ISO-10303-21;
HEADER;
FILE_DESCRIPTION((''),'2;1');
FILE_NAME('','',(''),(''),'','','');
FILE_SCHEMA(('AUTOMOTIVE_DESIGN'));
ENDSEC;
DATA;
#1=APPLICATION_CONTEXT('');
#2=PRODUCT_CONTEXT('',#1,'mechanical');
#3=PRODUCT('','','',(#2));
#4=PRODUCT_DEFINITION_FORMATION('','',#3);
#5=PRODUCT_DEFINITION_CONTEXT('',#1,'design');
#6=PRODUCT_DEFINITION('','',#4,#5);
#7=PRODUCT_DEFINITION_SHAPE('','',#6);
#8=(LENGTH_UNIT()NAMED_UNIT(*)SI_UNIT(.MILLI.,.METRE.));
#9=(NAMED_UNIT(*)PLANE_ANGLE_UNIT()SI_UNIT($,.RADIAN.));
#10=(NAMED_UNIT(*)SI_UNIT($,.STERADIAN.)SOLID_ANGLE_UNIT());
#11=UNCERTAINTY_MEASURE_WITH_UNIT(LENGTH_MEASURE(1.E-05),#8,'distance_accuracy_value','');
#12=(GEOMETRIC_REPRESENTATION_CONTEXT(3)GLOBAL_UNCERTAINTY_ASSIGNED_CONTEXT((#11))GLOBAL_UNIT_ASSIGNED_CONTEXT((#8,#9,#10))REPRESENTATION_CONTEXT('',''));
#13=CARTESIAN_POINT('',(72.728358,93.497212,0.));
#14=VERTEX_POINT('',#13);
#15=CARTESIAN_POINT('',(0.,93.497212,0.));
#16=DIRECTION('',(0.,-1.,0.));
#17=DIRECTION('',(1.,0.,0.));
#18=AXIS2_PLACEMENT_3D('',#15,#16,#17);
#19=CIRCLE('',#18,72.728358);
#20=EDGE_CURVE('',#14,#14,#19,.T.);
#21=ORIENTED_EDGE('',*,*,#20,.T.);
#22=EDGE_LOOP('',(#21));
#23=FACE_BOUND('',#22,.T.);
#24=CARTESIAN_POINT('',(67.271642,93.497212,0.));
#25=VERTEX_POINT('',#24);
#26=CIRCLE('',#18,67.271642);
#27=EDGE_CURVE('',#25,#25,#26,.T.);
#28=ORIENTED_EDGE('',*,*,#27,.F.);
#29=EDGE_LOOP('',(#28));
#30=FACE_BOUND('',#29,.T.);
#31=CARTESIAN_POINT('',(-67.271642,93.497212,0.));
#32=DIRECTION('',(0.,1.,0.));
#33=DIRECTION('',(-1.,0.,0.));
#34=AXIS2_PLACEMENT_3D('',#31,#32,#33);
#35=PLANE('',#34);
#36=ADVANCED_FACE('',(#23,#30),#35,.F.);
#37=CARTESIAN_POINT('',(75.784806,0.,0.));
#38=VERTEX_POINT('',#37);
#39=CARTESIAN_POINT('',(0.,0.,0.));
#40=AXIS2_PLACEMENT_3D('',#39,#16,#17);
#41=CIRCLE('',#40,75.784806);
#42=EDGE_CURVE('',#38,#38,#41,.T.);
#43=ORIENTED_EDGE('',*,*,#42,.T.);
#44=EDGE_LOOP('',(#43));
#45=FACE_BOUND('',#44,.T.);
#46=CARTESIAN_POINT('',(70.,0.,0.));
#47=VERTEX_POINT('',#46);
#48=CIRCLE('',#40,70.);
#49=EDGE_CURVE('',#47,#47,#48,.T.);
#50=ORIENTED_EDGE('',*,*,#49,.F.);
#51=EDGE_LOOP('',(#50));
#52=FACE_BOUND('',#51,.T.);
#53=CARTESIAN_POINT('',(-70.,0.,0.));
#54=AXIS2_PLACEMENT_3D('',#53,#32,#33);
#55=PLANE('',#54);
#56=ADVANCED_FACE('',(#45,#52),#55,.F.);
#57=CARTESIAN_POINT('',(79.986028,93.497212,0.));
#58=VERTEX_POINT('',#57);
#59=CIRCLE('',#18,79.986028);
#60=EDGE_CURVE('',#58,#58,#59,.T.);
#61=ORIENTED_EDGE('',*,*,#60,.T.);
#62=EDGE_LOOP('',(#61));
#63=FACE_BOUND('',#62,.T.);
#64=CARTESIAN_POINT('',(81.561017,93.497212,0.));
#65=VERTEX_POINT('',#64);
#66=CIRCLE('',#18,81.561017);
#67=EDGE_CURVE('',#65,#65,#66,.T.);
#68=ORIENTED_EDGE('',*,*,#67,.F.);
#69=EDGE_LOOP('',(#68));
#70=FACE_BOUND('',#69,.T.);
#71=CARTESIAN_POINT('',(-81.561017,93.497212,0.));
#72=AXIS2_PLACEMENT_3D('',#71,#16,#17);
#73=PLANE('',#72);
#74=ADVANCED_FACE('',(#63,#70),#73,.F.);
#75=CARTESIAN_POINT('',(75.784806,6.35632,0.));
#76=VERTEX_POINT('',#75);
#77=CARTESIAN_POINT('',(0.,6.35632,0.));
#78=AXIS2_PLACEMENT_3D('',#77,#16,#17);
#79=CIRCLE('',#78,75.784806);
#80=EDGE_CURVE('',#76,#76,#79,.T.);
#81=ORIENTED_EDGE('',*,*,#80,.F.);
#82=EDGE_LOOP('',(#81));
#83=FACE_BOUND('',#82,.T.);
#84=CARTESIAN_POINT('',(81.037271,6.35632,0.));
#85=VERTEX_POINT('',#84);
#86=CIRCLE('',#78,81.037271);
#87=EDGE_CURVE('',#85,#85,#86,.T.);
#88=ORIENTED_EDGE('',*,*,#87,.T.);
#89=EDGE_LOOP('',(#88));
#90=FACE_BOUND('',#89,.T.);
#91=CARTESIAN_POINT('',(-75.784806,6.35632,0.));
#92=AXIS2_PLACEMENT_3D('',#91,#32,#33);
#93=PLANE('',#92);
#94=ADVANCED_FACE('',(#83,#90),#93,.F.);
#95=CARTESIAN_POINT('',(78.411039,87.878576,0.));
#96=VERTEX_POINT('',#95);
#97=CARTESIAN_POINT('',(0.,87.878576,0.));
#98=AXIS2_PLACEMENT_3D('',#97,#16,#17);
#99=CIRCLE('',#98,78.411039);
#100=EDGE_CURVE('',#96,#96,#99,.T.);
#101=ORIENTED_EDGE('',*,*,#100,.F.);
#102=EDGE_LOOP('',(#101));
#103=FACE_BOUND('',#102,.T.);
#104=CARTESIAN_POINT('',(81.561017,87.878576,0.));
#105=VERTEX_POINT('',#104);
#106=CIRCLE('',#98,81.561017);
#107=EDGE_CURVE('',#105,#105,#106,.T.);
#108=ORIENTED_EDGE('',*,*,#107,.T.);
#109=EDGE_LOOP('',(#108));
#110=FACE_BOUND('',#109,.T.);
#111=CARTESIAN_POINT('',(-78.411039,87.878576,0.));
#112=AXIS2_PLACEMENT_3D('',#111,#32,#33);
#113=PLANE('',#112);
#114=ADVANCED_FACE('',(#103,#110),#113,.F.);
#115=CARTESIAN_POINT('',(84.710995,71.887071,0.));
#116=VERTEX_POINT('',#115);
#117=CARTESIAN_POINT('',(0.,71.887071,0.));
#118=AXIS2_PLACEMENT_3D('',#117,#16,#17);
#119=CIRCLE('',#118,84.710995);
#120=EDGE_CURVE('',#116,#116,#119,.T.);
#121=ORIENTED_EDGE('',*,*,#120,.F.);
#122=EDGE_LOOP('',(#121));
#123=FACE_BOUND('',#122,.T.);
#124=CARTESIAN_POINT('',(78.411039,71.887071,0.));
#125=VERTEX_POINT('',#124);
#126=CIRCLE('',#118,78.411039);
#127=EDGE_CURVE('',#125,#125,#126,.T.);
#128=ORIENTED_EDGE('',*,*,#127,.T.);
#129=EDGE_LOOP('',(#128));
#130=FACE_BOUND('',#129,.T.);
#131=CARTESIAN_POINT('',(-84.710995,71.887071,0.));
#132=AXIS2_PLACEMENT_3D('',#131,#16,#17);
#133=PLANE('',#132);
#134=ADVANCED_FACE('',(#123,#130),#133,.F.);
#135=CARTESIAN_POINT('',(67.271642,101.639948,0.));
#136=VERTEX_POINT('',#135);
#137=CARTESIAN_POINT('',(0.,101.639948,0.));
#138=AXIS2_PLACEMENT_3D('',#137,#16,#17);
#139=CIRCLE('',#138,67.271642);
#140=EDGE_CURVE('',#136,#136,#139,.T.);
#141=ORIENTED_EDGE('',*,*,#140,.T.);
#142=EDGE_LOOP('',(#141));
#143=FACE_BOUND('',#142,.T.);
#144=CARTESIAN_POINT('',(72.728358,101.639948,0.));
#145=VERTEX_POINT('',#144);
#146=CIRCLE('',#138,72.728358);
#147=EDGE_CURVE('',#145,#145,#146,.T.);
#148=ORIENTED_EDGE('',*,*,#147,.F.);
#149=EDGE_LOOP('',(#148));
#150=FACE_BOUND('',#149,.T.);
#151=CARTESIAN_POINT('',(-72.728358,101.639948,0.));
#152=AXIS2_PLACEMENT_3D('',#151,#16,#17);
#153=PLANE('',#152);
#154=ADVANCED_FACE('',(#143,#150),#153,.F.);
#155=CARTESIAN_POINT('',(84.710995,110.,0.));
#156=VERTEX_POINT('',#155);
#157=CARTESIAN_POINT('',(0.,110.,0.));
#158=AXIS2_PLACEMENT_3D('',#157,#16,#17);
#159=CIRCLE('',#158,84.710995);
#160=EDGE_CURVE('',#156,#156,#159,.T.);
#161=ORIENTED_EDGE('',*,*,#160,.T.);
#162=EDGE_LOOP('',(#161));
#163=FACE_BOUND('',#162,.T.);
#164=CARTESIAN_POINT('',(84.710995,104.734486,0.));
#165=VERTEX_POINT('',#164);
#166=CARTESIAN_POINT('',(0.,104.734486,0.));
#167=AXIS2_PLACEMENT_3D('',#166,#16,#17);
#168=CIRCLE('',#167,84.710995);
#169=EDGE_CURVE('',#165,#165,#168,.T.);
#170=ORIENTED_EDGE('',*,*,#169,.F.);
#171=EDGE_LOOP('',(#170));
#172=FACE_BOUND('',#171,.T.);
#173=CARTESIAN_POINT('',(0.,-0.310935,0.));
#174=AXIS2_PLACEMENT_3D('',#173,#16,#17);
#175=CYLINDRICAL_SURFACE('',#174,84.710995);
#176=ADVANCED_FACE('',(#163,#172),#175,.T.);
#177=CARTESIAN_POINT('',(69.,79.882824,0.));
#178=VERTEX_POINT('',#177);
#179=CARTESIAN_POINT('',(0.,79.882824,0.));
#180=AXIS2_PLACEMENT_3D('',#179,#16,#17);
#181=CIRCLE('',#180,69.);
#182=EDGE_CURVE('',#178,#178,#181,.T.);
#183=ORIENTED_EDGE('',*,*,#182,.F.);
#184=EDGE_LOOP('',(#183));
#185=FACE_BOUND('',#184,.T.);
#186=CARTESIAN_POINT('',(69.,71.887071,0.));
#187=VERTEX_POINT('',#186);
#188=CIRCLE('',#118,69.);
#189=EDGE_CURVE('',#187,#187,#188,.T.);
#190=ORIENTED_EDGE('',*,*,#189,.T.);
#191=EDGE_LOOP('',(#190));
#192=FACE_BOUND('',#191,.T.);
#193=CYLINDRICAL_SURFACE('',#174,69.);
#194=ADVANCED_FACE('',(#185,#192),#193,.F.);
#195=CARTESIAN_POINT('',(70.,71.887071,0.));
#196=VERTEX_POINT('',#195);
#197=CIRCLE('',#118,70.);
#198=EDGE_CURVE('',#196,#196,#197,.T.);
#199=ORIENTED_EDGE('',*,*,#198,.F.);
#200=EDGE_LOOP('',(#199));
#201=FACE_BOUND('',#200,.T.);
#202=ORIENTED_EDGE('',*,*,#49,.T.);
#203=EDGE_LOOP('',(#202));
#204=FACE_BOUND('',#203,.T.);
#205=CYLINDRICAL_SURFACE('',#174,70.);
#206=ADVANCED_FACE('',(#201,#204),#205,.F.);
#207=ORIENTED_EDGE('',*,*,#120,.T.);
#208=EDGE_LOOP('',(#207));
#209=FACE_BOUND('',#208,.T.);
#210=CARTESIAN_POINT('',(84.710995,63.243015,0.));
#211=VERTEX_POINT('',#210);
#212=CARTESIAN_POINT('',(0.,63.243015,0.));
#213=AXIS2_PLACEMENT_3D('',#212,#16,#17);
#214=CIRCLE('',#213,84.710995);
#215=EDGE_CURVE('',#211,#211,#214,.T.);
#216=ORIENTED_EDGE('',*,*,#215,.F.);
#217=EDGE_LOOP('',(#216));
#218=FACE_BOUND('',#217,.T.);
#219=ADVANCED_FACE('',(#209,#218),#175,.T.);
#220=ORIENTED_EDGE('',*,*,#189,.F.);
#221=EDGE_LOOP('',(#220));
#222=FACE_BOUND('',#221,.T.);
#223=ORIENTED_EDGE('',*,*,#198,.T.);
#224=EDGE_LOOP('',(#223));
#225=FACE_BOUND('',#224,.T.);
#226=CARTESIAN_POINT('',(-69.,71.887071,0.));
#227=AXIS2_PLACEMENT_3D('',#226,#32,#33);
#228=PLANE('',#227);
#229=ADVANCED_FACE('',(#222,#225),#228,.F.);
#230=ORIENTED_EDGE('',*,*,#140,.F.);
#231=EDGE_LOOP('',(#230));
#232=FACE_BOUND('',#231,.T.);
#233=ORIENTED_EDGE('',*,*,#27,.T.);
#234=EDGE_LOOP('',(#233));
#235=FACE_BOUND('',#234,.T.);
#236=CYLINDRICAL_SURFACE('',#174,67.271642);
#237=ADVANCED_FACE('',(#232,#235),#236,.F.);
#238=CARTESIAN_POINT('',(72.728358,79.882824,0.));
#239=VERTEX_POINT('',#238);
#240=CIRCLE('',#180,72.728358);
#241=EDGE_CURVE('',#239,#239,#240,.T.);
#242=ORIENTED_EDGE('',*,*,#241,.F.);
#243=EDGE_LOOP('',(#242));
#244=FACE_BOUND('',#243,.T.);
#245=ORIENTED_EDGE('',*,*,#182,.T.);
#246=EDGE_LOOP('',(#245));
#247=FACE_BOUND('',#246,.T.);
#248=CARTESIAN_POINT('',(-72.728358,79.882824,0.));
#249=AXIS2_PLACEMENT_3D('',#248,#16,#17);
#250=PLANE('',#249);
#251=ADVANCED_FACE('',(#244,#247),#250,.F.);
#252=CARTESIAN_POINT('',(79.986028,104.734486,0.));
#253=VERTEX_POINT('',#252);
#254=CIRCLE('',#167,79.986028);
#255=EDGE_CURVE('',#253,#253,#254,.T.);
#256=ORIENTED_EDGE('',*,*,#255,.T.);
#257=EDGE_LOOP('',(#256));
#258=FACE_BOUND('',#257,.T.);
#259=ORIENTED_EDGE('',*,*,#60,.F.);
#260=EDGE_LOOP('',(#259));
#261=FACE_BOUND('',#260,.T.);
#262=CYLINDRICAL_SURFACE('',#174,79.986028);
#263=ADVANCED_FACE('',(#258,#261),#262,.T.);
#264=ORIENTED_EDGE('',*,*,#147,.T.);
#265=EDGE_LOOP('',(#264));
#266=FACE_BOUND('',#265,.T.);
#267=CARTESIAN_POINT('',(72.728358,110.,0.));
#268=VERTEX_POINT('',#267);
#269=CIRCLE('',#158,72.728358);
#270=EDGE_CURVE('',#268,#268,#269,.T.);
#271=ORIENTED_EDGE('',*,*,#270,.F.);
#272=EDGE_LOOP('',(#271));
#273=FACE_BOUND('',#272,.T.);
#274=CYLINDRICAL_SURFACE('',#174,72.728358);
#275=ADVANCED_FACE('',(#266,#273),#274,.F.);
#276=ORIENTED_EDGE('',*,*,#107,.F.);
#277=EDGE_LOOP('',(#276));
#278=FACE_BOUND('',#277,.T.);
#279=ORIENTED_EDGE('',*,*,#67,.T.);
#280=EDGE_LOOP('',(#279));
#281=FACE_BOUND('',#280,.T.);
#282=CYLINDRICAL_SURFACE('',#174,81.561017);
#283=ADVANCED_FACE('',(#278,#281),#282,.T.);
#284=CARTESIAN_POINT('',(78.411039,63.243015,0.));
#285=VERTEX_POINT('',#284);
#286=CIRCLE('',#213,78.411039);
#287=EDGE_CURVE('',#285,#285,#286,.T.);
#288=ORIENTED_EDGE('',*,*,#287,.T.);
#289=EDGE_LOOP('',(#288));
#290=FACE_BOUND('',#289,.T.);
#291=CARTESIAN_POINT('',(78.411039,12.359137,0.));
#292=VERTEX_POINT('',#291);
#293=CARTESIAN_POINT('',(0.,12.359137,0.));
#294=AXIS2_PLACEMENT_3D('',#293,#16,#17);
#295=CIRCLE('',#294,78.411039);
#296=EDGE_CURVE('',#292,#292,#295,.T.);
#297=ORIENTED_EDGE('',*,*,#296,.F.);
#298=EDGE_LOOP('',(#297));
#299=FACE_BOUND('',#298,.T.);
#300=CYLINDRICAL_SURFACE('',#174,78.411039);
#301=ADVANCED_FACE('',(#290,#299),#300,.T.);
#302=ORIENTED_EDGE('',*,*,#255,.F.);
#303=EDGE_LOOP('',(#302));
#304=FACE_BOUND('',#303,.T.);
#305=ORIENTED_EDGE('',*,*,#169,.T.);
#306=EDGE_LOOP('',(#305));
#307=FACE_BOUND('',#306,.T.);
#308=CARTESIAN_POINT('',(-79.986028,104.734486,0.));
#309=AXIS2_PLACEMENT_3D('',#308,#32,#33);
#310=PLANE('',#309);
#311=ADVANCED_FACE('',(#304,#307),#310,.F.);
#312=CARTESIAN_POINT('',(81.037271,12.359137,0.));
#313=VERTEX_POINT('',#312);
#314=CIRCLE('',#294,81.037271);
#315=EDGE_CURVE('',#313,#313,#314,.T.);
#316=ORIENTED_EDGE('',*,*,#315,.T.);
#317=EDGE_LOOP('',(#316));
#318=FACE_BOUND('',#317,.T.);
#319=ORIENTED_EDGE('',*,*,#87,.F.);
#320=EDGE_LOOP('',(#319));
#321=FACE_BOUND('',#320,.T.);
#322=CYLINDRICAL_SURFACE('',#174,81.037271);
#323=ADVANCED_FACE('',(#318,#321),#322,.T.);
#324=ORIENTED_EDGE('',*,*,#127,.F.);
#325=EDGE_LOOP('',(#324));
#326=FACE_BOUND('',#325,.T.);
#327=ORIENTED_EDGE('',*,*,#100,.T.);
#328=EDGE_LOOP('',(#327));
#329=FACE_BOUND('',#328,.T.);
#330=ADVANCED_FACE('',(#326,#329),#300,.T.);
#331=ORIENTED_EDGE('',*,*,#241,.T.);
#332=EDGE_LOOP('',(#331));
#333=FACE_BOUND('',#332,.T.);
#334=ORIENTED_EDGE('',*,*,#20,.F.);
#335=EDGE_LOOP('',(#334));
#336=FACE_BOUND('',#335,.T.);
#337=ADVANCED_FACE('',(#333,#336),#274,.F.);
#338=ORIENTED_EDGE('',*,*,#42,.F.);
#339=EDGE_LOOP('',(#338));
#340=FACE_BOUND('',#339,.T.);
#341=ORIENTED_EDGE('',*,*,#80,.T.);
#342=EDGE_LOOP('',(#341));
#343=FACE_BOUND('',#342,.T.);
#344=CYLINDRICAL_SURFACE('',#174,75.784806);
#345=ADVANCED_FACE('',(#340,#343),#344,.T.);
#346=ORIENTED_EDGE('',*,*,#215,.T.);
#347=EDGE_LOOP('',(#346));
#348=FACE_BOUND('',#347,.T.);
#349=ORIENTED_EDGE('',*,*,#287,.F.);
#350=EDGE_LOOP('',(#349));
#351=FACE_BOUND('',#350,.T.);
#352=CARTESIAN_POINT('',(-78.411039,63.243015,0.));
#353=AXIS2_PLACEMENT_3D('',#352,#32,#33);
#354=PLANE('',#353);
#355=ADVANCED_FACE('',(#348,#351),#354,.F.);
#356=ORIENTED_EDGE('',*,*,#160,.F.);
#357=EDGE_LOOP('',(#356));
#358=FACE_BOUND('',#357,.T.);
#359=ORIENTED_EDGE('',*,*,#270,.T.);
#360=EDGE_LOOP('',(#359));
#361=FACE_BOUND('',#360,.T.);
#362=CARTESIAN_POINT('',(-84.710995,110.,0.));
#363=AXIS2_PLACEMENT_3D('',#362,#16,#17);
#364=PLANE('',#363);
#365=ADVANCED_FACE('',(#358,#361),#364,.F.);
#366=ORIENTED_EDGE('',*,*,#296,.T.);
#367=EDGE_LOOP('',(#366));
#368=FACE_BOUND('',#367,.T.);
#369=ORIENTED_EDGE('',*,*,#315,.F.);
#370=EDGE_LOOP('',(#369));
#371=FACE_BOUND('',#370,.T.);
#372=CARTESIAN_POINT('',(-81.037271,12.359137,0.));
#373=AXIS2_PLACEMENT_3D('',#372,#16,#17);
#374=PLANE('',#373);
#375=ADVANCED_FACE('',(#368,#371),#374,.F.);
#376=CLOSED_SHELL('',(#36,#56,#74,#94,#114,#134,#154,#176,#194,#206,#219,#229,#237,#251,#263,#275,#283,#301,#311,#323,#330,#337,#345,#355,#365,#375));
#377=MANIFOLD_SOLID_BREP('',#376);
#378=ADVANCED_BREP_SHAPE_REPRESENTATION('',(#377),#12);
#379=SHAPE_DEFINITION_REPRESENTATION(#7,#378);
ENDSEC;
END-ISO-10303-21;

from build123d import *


with BuildPart() as part:
    # Sketch1 → Revolve1 (revolve)
    with BuildSketch(Plane.XY):
        Polygon((-75.784806401, 0), (-75.784806401, 6.356320182), (-81.037271199, 6.356320182), (-81.037271199, 12.359137093), (-78.4110388, 12.359137093), (-78.4110388, 63.243015116), (-84.710995149, 63.243015116), (-84.710995149, 71.887071469), (-78.4110388, 71.887071469), (-78.4110388, 87.878575722), (-81.561016974, 87.878575722), (-81.561016974, 93.497212352), (-79.986027887, 93.497212352), (-79.986027887, 104.734485611), (-84.710995149, 104.734485611), (-84.710995149, 110), (-72.728358467, 110), (-72.728358467, 101.639947534), (-67.271641533, 101.639947534), (-67.271641533, 93.497212352), (-72.728358467, 93.497212352), (-72.728358467, 79.882823596), (-69, 79.882823596), (-69, 71.887071469), (-70, 71.887071469), (-70, 0), align=None)
    revolve(axis=Axis((0, -0.310935058, 0), (0, 1, 0)))


solid = part.part
